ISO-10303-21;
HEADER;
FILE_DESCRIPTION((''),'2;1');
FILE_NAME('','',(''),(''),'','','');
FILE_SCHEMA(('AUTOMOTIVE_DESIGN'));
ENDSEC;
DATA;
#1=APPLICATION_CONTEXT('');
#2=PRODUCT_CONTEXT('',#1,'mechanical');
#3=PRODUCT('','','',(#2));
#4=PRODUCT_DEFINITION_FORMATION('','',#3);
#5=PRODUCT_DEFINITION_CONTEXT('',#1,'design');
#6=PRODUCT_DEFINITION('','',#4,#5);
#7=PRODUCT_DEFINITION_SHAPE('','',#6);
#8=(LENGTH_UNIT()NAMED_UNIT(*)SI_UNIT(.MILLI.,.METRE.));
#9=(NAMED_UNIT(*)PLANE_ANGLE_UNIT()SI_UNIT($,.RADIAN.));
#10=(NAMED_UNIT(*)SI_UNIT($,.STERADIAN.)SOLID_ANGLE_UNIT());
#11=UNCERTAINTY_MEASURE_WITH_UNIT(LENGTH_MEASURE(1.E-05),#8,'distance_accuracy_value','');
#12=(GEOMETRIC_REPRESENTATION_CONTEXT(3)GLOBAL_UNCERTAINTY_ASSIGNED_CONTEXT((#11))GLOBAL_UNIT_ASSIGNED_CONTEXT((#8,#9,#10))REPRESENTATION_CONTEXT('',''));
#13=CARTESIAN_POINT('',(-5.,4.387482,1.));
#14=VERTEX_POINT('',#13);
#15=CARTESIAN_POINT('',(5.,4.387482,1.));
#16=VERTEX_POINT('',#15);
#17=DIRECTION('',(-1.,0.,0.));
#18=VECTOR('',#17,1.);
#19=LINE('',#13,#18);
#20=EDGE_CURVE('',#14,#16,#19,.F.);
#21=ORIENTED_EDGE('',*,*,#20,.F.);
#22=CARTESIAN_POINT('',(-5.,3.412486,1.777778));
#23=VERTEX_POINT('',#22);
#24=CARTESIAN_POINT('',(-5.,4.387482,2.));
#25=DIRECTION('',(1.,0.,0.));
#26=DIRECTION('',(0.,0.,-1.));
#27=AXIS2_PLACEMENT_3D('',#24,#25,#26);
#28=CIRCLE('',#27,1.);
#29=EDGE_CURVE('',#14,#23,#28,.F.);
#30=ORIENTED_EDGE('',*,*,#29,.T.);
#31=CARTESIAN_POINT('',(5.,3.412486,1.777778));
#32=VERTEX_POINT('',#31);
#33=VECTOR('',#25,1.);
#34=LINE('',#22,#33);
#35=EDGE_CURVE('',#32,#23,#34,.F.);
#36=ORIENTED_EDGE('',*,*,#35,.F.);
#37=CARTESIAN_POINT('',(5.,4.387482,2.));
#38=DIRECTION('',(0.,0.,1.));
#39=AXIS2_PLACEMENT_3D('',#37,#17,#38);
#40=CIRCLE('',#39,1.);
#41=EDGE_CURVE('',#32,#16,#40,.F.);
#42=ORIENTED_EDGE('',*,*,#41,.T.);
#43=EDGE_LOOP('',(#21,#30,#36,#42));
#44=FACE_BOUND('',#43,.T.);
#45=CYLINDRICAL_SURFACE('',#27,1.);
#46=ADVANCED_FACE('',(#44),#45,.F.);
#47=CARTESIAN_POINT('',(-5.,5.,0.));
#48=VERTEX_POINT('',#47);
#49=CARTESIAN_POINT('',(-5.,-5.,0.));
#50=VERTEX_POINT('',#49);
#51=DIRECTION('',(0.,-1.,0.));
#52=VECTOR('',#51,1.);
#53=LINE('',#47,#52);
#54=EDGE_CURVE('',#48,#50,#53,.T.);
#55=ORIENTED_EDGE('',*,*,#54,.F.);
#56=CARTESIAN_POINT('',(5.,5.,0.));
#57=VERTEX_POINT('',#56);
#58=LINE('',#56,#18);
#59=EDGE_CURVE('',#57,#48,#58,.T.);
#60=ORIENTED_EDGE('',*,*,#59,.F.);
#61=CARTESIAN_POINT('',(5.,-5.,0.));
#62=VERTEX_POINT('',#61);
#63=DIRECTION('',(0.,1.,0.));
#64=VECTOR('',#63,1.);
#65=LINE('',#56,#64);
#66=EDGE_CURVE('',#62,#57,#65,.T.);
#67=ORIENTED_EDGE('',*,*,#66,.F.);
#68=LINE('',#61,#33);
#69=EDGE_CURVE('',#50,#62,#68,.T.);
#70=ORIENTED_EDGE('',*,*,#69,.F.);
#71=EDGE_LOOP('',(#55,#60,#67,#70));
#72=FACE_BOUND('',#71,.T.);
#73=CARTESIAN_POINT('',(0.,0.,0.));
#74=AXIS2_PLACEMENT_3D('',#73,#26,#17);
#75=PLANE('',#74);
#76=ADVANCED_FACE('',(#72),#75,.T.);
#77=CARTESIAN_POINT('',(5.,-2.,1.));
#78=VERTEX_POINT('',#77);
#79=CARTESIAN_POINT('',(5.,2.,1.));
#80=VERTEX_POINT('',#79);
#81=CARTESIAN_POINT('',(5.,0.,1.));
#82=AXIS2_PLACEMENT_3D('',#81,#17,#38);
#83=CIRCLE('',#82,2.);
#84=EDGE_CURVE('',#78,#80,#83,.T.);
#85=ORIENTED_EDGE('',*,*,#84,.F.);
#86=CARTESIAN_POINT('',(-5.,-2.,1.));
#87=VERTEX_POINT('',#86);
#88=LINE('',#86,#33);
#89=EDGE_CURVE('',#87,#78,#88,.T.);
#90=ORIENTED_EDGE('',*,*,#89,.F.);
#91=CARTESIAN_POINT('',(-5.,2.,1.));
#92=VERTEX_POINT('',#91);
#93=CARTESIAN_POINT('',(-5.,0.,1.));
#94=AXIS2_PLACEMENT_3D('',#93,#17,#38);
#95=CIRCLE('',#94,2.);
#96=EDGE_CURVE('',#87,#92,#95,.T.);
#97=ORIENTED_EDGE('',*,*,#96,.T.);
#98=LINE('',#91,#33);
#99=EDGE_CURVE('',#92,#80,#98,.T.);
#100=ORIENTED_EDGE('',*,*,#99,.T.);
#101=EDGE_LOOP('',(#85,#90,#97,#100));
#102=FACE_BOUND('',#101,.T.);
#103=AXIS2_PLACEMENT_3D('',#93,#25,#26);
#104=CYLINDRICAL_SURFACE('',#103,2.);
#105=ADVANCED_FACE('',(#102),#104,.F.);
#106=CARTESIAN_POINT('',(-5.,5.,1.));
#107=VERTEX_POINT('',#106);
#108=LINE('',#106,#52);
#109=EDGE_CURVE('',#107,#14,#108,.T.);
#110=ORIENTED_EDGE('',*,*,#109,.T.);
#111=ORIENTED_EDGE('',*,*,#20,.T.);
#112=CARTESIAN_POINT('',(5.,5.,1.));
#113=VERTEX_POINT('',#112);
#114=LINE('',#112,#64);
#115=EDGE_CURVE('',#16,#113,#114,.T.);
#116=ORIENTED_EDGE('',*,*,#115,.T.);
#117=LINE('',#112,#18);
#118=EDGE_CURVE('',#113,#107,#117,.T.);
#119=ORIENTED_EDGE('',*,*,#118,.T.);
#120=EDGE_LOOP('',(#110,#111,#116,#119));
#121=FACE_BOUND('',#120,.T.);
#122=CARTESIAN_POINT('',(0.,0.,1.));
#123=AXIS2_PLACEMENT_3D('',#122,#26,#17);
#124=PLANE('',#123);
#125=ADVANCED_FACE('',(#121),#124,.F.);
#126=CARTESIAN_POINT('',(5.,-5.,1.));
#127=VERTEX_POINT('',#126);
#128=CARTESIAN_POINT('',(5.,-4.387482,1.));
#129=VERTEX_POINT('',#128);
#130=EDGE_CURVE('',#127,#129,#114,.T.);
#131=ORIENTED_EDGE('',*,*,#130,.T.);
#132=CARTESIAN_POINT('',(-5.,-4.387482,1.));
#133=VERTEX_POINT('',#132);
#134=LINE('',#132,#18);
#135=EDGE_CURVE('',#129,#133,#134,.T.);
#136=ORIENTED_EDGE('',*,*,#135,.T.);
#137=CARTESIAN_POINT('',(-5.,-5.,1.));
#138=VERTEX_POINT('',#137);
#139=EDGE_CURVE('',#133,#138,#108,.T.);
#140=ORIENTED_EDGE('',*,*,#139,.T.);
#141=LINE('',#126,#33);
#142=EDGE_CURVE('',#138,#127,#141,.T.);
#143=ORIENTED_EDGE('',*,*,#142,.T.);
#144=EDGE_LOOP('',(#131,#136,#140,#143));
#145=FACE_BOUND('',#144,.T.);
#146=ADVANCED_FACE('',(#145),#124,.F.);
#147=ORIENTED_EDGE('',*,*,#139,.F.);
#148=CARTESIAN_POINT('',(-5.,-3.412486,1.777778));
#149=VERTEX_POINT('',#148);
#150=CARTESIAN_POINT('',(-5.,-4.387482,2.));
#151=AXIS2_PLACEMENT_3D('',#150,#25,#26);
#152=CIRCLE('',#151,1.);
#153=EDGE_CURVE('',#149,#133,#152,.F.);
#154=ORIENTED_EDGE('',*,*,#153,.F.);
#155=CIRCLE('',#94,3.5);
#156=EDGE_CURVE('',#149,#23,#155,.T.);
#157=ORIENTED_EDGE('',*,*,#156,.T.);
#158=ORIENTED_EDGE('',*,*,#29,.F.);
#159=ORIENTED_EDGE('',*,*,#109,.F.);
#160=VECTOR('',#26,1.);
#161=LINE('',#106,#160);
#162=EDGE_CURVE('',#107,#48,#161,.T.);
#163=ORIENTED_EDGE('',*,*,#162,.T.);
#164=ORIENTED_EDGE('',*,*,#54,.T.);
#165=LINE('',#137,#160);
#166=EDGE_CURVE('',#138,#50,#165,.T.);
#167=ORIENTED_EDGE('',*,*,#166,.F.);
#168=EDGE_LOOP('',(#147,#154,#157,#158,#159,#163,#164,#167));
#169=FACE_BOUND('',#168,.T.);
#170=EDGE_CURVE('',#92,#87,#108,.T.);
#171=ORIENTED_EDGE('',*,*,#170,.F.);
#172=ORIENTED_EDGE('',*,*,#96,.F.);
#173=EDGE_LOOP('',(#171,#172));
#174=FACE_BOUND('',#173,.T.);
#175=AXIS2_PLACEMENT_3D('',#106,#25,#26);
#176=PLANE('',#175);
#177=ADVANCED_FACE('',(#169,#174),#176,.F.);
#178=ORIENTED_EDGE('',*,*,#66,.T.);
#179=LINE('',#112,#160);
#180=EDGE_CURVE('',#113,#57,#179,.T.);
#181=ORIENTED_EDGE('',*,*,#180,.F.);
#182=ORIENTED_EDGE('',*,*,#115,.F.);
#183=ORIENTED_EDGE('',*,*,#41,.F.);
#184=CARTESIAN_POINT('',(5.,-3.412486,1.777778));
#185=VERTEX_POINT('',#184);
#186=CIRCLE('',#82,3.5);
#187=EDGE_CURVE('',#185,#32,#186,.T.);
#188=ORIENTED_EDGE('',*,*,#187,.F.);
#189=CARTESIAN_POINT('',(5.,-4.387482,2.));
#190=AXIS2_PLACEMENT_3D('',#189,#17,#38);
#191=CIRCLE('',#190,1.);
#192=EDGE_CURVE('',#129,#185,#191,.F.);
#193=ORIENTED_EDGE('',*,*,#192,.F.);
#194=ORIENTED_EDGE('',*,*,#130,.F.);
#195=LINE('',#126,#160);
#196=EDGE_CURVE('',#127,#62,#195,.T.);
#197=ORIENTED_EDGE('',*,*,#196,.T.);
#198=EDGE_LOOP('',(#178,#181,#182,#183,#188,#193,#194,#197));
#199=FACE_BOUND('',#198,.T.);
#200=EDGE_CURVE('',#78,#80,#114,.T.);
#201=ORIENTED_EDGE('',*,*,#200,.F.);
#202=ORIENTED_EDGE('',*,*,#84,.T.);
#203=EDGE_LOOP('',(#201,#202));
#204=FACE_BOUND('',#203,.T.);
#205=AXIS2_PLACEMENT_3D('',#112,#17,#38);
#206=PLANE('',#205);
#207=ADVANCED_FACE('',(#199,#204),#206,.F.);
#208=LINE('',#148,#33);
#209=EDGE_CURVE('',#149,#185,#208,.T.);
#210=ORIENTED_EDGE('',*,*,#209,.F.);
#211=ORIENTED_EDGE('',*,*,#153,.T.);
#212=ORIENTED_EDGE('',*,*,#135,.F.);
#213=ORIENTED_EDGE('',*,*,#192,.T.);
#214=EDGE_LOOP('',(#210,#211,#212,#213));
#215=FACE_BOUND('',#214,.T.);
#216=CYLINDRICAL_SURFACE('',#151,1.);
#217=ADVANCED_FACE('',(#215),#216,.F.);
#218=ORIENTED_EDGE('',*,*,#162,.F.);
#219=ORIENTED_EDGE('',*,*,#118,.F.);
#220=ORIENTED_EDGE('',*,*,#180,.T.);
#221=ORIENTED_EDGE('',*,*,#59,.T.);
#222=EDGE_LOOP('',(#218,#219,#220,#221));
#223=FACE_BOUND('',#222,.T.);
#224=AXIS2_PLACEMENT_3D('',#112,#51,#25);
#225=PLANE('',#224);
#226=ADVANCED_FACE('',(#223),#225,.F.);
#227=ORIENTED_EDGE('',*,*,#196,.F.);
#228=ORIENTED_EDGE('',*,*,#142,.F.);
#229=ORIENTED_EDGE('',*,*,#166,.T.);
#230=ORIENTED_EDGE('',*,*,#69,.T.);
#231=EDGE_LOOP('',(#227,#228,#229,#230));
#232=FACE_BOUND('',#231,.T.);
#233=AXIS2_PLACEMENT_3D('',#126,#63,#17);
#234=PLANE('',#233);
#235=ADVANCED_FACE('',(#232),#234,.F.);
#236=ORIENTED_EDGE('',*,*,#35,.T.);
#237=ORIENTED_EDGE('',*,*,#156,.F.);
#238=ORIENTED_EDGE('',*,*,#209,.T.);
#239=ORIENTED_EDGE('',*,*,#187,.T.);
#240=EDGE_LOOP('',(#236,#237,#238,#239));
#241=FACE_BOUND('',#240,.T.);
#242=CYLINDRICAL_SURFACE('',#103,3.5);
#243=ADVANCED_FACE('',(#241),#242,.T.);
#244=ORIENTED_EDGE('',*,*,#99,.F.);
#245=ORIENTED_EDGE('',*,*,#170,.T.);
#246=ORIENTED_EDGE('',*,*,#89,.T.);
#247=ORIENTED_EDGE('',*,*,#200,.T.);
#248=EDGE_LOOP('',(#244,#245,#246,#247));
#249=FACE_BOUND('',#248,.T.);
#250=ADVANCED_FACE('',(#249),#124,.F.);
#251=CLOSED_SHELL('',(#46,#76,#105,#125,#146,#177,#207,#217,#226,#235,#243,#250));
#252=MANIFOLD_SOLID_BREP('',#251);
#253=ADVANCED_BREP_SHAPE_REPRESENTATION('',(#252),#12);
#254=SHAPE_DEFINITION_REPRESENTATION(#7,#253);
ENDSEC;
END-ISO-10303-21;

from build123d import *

# Parameters (mm, degrees)
CROQUIS1_W              = 10
CROQUIS1_H              = 10
SALIENTE_EXTRUIR1_DEPTH = 1
SALIENTE_EXTRUIR2_START = 5
SALIENTE_EXTRUIR2_DEPTH = 10
REDONDEO2_R             = 1
REDONDEO3_R             = 1


with BuildPart() as part:
    # Croquis1 → Saliente-Extruir1 (new body)
    with BuildSketch(Plane.XY):
        Rectangle(CROQUIS1_W, CROQUIS1_H)
    extrude(amount=SALIENTE_EXTRUIR1_DEPTH)

    # Croquis2 → Saliente-Extruir2 (add, through all)
    with BuildSketch(Plane(origin=(0, 0, 0), x_dir=(0, 0, -1), z_dir=(1, 0, 0)).offset(SALIENTE_EXTRUIR2_START)):
        with BuildLine():
            Line((-1, 3.5), (-1, 2))
            ThreePointArc((-1, 2), (-3, 0), (-1, -2))
            Line((-1, -2), (-1, -3.5))
            ThreePointArc((-1, -3.5), (-4.5, 0), (-1, 3.5))
        make_face()
    extrude(amount=-SALIENTE_EXTRUIR2_DEPTH)

    # Redondeo2
    redondeo2_edges = [part.edges().sort_by_distance(p)[0] for p in [
        (0, 3.5, 1),
    ]]
    fillet(redondeo2_edges, radius=REDONDEO2_R)

    # Redondeo3
    redondeo3_edges = [part.edges().sort_by_distance(p)[0] for p in [
        (0, -3.5, 1),
    ]]
    fillet(redondeo3_edges, radius=REDONDEO3_R)


solid = part.part
